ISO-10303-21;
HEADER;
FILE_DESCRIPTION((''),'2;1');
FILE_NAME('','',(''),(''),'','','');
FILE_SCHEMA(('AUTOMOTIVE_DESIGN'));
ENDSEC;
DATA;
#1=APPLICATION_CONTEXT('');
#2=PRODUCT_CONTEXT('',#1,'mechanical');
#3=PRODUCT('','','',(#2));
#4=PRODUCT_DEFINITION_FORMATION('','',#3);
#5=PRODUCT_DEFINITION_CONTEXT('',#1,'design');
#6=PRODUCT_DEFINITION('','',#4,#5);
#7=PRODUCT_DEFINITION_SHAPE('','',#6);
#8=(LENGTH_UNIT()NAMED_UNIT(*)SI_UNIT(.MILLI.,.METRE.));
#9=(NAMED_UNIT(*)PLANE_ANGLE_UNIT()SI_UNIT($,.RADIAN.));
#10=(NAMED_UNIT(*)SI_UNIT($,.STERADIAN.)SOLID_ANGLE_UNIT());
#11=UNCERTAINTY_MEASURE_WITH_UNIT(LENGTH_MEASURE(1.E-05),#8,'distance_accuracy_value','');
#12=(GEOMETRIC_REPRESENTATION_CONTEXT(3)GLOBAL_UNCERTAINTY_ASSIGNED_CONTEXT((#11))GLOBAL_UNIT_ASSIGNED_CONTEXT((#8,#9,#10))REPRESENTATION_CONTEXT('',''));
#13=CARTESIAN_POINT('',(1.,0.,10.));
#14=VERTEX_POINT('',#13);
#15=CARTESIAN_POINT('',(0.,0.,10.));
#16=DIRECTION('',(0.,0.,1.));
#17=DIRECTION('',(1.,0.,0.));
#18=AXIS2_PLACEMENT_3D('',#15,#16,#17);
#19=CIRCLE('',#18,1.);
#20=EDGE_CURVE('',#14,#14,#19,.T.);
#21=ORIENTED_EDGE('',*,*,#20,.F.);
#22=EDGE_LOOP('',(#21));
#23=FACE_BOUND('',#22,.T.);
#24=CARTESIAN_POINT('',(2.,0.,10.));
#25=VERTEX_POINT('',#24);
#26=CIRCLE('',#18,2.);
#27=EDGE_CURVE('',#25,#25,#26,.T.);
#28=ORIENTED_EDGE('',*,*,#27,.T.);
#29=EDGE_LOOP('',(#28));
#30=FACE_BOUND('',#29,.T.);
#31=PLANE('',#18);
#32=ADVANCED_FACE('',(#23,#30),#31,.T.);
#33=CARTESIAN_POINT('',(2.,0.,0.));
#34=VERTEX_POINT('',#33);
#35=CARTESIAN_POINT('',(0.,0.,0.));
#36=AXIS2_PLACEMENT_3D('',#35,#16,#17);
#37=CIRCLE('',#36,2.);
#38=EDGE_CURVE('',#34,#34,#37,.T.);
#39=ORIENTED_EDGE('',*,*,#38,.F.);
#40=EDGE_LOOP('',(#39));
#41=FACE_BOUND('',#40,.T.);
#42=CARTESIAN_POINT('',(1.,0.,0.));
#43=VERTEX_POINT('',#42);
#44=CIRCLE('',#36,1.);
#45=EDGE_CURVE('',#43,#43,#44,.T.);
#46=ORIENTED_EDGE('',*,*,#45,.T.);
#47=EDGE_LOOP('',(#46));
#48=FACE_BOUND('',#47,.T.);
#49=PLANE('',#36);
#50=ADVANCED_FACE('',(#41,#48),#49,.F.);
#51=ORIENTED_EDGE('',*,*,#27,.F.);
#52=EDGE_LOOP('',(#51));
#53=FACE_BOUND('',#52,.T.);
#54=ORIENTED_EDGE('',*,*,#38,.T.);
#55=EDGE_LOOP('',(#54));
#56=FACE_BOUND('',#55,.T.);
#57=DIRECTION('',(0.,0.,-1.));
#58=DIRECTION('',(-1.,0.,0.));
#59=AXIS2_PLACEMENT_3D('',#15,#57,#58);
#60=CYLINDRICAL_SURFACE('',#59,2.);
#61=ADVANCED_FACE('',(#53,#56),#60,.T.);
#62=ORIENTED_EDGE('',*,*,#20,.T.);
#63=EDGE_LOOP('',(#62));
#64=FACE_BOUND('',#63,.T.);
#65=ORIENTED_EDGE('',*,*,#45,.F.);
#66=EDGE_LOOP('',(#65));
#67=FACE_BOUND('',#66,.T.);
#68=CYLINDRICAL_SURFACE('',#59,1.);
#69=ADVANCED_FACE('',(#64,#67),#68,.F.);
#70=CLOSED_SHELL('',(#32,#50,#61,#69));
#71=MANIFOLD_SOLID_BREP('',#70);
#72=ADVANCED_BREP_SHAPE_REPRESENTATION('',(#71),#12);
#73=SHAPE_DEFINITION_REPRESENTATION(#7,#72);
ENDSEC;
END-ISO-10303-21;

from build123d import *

# Parameters (mm, degrees)
SKETCH1_R           = 2
SKETCH1_R_2         = 1
EXTRUDE_THIN1_DEPTH = 10


with BuildPart() as part:
    # Sketch1 → Extrude-Thin1 (new body)
    with BuildSketch(Plane.XY):
        Circle(SKETCH1_R)
        Circle(SKETCH1_R_2, mode=Mode.SUBTRACT)
    extrude(amount=EXTRUDE_THIN1_DEPTH)


solid = part.part
